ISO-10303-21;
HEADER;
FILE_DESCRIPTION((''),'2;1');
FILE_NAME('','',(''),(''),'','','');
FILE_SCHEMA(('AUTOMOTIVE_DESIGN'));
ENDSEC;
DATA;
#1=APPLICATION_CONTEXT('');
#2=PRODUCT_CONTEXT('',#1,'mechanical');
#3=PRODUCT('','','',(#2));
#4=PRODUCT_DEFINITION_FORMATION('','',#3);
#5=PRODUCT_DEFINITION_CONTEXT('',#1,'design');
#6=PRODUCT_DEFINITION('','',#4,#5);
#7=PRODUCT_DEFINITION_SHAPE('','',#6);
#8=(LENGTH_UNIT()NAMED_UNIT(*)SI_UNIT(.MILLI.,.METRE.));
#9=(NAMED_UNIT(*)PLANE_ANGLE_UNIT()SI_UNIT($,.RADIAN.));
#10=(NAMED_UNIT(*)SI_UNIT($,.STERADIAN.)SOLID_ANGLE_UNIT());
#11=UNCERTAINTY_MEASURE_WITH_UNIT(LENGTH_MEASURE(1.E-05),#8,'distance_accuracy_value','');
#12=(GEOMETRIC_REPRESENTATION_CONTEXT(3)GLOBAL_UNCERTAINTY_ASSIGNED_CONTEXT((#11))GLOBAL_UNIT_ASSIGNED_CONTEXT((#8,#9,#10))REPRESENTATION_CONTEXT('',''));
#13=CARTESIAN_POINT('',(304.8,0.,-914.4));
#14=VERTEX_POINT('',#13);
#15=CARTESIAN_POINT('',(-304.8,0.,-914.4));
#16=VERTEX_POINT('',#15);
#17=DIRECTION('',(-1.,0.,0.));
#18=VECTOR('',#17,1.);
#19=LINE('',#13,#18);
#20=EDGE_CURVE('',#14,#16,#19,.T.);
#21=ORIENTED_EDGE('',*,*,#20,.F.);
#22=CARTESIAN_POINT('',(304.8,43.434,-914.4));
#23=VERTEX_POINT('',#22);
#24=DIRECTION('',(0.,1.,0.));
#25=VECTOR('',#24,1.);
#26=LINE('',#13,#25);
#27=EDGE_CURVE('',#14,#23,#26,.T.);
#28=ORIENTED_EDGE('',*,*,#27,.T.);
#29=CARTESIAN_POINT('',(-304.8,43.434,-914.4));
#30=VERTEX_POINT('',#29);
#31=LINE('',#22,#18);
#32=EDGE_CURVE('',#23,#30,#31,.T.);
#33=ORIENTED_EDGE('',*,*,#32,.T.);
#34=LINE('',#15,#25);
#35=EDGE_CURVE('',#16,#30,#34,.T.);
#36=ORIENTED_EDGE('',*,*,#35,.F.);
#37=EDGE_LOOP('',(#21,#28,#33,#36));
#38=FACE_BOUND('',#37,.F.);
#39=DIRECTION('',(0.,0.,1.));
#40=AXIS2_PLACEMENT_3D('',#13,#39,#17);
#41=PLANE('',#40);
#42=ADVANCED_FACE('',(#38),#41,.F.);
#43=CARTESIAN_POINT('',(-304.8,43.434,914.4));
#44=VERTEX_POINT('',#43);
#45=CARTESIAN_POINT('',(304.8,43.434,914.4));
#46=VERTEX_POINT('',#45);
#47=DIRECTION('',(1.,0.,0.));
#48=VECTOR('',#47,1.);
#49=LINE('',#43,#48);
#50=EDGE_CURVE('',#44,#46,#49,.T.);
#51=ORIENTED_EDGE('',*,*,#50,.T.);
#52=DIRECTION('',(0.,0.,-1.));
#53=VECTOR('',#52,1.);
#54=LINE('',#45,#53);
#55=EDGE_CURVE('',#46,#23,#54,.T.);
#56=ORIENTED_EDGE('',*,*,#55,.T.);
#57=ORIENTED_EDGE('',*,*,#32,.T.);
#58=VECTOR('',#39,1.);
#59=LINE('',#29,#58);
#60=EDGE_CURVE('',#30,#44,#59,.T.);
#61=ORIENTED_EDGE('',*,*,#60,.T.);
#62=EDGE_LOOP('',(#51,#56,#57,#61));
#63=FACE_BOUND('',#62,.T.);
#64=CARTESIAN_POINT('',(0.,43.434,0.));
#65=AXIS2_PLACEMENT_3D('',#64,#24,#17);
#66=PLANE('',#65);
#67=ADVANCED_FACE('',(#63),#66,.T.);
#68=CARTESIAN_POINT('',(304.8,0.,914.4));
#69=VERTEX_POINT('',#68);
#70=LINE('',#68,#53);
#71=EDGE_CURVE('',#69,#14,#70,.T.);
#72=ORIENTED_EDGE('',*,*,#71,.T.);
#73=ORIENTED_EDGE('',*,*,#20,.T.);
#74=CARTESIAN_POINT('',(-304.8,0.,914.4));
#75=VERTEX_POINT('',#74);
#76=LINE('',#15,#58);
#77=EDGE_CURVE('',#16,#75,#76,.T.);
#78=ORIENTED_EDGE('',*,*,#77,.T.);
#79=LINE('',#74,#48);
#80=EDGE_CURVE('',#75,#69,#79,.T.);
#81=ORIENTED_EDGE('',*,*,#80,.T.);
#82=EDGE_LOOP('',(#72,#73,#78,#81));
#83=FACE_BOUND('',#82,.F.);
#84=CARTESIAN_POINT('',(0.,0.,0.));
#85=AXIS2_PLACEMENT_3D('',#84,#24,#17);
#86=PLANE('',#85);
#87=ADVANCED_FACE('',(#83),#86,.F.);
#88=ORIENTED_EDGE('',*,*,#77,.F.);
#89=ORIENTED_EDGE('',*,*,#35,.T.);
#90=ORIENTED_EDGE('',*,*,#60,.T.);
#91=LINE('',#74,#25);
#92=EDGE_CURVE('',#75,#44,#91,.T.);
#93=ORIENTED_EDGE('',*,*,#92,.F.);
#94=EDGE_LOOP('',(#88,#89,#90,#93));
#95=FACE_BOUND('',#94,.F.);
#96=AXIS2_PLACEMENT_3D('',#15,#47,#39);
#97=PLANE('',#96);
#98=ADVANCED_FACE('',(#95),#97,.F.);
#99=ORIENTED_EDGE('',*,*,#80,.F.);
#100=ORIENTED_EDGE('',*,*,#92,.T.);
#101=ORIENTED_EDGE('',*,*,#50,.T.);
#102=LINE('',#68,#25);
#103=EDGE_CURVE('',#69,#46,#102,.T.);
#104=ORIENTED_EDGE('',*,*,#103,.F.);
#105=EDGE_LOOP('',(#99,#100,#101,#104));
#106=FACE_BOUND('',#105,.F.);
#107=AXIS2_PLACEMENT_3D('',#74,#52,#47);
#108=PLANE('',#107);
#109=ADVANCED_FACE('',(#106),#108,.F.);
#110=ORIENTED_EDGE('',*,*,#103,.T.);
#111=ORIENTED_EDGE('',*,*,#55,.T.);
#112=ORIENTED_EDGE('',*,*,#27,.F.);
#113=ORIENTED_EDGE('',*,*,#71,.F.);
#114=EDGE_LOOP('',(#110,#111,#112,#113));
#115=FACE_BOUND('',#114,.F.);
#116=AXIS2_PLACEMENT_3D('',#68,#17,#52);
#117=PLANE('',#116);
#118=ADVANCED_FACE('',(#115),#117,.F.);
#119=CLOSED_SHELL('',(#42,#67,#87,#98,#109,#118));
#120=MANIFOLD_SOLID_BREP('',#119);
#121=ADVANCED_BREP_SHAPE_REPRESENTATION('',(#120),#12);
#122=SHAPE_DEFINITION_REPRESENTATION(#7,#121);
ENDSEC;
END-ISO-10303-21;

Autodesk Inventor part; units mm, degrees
ref_plane "YZ Plane" through (0, 0, 0) normal (1, 0, 0) x (0, 1, 0)
ref_plane "XZ Plane" through (0, 0, 0) normal (0, 1, 0) x (-1, 0, 0)
ref_plane "XY Plane" through (0, 0, 0) normal (0, 0, 1) x (1, 0, 0)
sketch "Sketch1" plane through (0, 0, 0) normal (0, 1, 0) x (-1, 0, 0)
  line L0 (304.8, 914.4) -> (-304.8, 914.4)
  line L1 (-304.8, 914.4) -> (-304.8, -914.4)
  line L2 (-304.8, -914.4) -> (304.8, -914.4)
  line L3 (304.8, -914.4) -> (304.8, 914.4)
  point P0 (0, 0)
  dimension "d0" = 1828.8
  dimension "d1" = 609.6
  dimension "d2" = 914.4
  dimension "d3" = 304.8
extrude "Extrusion1" add sketch "Sketch1" along normal blind 43.434
